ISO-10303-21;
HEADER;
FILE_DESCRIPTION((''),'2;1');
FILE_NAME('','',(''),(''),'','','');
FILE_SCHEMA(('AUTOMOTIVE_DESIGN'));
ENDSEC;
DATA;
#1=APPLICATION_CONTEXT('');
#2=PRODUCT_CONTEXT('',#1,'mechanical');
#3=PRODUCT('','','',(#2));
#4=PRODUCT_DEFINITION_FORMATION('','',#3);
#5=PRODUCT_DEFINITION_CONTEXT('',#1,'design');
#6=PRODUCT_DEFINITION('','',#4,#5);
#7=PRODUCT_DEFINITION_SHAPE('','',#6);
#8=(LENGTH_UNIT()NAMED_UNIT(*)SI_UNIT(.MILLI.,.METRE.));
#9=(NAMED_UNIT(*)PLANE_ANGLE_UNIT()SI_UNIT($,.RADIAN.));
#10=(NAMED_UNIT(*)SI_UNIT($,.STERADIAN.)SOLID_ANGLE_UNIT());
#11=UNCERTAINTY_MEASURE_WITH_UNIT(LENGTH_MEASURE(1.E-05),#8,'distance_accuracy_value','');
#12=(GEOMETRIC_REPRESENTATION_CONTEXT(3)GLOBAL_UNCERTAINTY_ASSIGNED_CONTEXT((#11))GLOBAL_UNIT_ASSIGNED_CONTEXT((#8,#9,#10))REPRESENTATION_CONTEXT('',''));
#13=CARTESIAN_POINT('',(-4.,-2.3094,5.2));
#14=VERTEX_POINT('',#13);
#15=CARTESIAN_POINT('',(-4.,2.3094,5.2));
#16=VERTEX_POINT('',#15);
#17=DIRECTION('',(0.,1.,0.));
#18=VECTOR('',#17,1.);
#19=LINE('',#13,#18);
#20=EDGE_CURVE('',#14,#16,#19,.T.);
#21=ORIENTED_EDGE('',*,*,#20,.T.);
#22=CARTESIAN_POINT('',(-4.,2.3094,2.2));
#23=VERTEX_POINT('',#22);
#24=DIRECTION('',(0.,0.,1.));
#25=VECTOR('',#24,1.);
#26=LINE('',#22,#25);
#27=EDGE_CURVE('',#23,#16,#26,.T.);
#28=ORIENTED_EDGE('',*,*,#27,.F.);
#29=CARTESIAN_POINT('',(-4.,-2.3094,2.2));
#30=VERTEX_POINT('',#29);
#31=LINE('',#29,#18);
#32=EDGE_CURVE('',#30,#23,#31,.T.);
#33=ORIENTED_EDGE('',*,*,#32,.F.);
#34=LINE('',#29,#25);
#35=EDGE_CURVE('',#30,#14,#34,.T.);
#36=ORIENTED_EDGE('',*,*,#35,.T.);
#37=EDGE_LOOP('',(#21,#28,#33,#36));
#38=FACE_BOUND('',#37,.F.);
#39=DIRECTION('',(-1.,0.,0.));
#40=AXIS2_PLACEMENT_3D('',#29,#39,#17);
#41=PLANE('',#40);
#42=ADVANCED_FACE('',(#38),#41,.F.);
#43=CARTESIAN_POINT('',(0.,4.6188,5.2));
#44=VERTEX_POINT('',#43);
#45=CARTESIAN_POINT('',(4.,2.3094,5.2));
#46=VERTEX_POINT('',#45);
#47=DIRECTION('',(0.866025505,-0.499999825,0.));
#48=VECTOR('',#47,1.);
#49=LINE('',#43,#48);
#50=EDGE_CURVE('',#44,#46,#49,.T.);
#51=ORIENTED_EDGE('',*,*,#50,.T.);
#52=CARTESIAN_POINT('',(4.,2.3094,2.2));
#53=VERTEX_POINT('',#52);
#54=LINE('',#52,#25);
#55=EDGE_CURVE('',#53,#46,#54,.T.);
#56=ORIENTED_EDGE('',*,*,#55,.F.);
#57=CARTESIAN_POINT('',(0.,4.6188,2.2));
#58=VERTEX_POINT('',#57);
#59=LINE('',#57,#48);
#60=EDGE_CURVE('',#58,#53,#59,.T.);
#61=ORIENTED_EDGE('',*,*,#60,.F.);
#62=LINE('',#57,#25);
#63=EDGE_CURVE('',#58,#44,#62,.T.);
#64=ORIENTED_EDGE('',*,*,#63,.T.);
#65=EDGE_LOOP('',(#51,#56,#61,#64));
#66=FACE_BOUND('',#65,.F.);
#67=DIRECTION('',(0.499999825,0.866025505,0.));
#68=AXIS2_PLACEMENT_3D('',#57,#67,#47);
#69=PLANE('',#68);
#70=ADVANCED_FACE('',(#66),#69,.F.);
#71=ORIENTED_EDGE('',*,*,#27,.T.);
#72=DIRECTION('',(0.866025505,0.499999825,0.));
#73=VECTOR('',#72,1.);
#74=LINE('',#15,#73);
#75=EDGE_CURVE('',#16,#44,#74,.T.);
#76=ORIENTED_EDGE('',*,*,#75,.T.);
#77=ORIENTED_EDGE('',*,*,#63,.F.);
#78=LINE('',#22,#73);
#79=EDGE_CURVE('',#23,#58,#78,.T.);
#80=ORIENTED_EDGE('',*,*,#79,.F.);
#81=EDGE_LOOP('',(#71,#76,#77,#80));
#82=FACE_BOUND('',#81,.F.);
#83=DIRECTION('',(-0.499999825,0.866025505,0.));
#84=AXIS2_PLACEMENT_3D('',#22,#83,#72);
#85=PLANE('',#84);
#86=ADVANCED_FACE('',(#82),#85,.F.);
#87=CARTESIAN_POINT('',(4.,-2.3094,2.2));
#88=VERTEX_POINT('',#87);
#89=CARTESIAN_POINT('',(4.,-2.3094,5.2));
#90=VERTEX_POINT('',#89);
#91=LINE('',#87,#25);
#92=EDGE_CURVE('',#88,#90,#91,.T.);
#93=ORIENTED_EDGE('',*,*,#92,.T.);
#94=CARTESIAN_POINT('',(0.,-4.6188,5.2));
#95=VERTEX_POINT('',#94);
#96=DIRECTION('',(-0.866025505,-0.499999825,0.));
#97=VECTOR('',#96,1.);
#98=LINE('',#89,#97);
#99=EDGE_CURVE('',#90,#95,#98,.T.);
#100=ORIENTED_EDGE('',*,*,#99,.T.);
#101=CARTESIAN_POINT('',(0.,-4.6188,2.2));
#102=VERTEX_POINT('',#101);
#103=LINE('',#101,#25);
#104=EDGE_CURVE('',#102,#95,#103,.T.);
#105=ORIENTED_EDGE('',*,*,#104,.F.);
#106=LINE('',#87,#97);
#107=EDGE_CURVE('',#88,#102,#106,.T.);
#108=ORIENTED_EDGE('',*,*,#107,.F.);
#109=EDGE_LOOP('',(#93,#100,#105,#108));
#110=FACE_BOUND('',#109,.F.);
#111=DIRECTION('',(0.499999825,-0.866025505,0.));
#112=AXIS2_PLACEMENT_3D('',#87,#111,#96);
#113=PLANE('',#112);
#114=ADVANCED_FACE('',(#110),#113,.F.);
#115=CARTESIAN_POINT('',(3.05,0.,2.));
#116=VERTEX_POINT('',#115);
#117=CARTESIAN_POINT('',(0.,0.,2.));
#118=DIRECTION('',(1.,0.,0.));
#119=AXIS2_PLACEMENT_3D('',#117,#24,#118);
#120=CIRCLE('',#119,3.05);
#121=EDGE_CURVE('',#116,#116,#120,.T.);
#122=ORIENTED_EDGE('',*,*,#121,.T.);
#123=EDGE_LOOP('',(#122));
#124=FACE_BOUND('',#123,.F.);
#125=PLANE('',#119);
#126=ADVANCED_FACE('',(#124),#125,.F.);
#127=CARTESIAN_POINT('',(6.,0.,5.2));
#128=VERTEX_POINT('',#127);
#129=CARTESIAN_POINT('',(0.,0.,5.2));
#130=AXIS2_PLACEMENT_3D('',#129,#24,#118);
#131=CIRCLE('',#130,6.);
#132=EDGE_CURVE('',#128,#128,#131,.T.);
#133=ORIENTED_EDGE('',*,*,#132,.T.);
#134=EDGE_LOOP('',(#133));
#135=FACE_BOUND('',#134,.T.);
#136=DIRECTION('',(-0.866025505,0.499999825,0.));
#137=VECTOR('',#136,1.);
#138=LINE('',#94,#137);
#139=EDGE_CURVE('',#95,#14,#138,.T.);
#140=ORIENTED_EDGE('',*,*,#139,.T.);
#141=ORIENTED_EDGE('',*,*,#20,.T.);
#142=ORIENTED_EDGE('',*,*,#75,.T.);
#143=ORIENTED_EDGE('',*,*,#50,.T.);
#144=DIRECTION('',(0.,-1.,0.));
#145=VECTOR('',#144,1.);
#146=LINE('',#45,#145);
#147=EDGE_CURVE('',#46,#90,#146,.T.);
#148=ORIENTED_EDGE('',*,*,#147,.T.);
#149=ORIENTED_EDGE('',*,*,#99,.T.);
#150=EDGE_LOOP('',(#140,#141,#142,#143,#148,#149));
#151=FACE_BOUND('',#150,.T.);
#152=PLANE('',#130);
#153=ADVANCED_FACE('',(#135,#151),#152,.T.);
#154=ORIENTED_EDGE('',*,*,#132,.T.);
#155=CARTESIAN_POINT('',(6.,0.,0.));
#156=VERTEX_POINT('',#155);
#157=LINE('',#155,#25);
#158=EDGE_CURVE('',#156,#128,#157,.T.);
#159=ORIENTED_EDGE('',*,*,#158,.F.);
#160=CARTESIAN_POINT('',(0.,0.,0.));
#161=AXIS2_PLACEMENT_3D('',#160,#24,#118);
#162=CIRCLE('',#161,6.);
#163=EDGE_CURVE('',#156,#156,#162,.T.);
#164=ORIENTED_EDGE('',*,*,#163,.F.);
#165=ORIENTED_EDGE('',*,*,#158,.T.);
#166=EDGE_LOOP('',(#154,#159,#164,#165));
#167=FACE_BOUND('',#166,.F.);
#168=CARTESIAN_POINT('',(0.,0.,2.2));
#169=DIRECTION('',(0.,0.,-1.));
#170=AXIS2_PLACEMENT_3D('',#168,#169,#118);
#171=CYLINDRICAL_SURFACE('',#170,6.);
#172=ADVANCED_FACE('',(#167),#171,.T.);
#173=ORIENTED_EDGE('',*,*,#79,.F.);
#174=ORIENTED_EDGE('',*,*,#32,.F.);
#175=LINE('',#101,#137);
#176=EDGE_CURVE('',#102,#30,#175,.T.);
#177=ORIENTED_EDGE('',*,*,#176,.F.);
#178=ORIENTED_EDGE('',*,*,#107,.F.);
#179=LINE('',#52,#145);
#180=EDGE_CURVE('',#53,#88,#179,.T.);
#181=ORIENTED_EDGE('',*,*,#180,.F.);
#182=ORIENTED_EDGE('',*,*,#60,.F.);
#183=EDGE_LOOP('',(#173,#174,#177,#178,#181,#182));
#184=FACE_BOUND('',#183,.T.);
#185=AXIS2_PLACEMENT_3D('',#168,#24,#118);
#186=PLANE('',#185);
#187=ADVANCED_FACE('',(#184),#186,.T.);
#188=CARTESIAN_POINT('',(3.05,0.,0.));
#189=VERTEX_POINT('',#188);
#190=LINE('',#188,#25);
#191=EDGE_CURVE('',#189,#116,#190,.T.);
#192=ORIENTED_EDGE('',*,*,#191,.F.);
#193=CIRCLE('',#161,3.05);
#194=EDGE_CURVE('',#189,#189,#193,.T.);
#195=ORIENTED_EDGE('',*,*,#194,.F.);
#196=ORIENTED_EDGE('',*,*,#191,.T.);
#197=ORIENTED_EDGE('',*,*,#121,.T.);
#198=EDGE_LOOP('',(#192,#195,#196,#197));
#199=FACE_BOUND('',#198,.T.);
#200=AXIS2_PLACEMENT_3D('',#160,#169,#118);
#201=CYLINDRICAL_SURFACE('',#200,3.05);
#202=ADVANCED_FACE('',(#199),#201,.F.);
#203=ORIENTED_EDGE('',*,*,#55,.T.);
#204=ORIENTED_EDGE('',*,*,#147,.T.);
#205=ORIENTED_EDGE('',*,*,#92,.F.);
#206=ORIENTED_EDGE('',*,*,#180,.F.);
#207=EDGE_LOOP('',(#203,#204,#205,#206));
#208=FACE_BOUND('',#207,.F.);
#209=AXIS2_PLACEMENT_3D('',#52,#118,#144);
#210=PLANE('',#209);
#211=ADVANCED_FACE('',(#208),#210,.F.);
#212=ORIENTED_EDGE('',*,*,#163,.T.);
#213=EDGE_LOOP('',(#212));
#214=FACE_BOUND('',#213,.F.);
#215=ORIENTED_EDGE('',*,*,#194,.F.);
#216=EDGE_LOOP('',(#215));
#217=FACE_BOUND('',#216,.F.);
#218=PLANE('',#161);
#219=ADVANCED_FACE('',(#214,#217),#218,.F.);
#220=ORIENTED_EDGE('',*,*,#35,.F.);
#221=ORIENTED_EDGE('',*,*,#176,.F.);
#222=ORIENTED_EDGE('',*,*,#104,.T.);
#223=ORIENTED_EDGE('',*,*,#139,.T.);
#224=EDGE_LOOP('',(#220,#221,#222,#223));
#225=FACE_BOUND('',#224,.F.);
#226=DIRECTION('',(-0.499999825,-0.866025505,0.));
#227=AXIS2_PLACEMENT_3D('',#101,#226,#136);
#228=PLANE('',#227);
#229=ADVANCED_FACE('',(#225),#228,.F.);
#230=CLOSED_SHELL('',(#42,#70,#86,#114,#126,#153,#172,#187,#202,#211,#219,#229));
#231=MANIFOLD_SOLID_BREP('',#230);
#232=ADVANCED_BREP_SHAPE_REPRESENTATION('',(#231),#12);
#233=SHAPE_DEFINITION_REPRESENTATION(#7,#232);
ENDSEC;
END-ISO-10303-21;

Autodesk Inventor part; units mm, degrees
ref_plane "YZ Plane" through (0, 0, 0) normal (1, 0, 0) x (0, 1, 0)
ref_plane "XZ Plane" through (0, 0, 0) normal (0, 1, 0) x (-1, 0, 0)
ref_plane "XY Plane" through (0, 0, 0) normal (0, 0, 1) x (1, 0, 0)
sketch "Skizze1" plane through (0, 0, 0) normal (0, 0, 1) x (1, 0, 0)
  circle A0 centre (0, 0) radius 6
  circle A1 centre (0, 0) radius 3.05
  dimension "d0" = 6.1
  dimension "d1" = 12
extrude "Extrusion1" add sketch "Skizze1" along normal blind 2
sketch "Skizze2" plane through (0, 0, 2) normal (0, 0, 1) x (1, 0, 0)
  circle A0 centre (0, 0) radius 6 projected
extrude "Extrusion2" add sketch "Skizze2" along normal blind 0.2
sketch "Skizze3" plane through (0, 0, 2.2) normal (0, 0, 1) x (1, 0, 0)
  circle A0 centre (0, 0) radius 6 projected
  line L0 (0, 4.6188) -> (4, 2.3094)
  line L1 (4, 2.3094) -> (4, -2.3094)
  line L2 (4, -2.3094) -> (0, -4.6188)
  line L3 (0, -4.6188) -> (-4, -2.3094)
  line L4 (-4, -2.3094) -> (-4, 2.3094)
  line L5 (-4, 2.3094) -> (0, 4.6188)
  dimension "d6" = 8
extrude "Extrusion3" add sketch "Skizze3" along normal blind 3
properties part number "M5_encoderMagnet" material "ABS-Kunststoff - Schwarz"
